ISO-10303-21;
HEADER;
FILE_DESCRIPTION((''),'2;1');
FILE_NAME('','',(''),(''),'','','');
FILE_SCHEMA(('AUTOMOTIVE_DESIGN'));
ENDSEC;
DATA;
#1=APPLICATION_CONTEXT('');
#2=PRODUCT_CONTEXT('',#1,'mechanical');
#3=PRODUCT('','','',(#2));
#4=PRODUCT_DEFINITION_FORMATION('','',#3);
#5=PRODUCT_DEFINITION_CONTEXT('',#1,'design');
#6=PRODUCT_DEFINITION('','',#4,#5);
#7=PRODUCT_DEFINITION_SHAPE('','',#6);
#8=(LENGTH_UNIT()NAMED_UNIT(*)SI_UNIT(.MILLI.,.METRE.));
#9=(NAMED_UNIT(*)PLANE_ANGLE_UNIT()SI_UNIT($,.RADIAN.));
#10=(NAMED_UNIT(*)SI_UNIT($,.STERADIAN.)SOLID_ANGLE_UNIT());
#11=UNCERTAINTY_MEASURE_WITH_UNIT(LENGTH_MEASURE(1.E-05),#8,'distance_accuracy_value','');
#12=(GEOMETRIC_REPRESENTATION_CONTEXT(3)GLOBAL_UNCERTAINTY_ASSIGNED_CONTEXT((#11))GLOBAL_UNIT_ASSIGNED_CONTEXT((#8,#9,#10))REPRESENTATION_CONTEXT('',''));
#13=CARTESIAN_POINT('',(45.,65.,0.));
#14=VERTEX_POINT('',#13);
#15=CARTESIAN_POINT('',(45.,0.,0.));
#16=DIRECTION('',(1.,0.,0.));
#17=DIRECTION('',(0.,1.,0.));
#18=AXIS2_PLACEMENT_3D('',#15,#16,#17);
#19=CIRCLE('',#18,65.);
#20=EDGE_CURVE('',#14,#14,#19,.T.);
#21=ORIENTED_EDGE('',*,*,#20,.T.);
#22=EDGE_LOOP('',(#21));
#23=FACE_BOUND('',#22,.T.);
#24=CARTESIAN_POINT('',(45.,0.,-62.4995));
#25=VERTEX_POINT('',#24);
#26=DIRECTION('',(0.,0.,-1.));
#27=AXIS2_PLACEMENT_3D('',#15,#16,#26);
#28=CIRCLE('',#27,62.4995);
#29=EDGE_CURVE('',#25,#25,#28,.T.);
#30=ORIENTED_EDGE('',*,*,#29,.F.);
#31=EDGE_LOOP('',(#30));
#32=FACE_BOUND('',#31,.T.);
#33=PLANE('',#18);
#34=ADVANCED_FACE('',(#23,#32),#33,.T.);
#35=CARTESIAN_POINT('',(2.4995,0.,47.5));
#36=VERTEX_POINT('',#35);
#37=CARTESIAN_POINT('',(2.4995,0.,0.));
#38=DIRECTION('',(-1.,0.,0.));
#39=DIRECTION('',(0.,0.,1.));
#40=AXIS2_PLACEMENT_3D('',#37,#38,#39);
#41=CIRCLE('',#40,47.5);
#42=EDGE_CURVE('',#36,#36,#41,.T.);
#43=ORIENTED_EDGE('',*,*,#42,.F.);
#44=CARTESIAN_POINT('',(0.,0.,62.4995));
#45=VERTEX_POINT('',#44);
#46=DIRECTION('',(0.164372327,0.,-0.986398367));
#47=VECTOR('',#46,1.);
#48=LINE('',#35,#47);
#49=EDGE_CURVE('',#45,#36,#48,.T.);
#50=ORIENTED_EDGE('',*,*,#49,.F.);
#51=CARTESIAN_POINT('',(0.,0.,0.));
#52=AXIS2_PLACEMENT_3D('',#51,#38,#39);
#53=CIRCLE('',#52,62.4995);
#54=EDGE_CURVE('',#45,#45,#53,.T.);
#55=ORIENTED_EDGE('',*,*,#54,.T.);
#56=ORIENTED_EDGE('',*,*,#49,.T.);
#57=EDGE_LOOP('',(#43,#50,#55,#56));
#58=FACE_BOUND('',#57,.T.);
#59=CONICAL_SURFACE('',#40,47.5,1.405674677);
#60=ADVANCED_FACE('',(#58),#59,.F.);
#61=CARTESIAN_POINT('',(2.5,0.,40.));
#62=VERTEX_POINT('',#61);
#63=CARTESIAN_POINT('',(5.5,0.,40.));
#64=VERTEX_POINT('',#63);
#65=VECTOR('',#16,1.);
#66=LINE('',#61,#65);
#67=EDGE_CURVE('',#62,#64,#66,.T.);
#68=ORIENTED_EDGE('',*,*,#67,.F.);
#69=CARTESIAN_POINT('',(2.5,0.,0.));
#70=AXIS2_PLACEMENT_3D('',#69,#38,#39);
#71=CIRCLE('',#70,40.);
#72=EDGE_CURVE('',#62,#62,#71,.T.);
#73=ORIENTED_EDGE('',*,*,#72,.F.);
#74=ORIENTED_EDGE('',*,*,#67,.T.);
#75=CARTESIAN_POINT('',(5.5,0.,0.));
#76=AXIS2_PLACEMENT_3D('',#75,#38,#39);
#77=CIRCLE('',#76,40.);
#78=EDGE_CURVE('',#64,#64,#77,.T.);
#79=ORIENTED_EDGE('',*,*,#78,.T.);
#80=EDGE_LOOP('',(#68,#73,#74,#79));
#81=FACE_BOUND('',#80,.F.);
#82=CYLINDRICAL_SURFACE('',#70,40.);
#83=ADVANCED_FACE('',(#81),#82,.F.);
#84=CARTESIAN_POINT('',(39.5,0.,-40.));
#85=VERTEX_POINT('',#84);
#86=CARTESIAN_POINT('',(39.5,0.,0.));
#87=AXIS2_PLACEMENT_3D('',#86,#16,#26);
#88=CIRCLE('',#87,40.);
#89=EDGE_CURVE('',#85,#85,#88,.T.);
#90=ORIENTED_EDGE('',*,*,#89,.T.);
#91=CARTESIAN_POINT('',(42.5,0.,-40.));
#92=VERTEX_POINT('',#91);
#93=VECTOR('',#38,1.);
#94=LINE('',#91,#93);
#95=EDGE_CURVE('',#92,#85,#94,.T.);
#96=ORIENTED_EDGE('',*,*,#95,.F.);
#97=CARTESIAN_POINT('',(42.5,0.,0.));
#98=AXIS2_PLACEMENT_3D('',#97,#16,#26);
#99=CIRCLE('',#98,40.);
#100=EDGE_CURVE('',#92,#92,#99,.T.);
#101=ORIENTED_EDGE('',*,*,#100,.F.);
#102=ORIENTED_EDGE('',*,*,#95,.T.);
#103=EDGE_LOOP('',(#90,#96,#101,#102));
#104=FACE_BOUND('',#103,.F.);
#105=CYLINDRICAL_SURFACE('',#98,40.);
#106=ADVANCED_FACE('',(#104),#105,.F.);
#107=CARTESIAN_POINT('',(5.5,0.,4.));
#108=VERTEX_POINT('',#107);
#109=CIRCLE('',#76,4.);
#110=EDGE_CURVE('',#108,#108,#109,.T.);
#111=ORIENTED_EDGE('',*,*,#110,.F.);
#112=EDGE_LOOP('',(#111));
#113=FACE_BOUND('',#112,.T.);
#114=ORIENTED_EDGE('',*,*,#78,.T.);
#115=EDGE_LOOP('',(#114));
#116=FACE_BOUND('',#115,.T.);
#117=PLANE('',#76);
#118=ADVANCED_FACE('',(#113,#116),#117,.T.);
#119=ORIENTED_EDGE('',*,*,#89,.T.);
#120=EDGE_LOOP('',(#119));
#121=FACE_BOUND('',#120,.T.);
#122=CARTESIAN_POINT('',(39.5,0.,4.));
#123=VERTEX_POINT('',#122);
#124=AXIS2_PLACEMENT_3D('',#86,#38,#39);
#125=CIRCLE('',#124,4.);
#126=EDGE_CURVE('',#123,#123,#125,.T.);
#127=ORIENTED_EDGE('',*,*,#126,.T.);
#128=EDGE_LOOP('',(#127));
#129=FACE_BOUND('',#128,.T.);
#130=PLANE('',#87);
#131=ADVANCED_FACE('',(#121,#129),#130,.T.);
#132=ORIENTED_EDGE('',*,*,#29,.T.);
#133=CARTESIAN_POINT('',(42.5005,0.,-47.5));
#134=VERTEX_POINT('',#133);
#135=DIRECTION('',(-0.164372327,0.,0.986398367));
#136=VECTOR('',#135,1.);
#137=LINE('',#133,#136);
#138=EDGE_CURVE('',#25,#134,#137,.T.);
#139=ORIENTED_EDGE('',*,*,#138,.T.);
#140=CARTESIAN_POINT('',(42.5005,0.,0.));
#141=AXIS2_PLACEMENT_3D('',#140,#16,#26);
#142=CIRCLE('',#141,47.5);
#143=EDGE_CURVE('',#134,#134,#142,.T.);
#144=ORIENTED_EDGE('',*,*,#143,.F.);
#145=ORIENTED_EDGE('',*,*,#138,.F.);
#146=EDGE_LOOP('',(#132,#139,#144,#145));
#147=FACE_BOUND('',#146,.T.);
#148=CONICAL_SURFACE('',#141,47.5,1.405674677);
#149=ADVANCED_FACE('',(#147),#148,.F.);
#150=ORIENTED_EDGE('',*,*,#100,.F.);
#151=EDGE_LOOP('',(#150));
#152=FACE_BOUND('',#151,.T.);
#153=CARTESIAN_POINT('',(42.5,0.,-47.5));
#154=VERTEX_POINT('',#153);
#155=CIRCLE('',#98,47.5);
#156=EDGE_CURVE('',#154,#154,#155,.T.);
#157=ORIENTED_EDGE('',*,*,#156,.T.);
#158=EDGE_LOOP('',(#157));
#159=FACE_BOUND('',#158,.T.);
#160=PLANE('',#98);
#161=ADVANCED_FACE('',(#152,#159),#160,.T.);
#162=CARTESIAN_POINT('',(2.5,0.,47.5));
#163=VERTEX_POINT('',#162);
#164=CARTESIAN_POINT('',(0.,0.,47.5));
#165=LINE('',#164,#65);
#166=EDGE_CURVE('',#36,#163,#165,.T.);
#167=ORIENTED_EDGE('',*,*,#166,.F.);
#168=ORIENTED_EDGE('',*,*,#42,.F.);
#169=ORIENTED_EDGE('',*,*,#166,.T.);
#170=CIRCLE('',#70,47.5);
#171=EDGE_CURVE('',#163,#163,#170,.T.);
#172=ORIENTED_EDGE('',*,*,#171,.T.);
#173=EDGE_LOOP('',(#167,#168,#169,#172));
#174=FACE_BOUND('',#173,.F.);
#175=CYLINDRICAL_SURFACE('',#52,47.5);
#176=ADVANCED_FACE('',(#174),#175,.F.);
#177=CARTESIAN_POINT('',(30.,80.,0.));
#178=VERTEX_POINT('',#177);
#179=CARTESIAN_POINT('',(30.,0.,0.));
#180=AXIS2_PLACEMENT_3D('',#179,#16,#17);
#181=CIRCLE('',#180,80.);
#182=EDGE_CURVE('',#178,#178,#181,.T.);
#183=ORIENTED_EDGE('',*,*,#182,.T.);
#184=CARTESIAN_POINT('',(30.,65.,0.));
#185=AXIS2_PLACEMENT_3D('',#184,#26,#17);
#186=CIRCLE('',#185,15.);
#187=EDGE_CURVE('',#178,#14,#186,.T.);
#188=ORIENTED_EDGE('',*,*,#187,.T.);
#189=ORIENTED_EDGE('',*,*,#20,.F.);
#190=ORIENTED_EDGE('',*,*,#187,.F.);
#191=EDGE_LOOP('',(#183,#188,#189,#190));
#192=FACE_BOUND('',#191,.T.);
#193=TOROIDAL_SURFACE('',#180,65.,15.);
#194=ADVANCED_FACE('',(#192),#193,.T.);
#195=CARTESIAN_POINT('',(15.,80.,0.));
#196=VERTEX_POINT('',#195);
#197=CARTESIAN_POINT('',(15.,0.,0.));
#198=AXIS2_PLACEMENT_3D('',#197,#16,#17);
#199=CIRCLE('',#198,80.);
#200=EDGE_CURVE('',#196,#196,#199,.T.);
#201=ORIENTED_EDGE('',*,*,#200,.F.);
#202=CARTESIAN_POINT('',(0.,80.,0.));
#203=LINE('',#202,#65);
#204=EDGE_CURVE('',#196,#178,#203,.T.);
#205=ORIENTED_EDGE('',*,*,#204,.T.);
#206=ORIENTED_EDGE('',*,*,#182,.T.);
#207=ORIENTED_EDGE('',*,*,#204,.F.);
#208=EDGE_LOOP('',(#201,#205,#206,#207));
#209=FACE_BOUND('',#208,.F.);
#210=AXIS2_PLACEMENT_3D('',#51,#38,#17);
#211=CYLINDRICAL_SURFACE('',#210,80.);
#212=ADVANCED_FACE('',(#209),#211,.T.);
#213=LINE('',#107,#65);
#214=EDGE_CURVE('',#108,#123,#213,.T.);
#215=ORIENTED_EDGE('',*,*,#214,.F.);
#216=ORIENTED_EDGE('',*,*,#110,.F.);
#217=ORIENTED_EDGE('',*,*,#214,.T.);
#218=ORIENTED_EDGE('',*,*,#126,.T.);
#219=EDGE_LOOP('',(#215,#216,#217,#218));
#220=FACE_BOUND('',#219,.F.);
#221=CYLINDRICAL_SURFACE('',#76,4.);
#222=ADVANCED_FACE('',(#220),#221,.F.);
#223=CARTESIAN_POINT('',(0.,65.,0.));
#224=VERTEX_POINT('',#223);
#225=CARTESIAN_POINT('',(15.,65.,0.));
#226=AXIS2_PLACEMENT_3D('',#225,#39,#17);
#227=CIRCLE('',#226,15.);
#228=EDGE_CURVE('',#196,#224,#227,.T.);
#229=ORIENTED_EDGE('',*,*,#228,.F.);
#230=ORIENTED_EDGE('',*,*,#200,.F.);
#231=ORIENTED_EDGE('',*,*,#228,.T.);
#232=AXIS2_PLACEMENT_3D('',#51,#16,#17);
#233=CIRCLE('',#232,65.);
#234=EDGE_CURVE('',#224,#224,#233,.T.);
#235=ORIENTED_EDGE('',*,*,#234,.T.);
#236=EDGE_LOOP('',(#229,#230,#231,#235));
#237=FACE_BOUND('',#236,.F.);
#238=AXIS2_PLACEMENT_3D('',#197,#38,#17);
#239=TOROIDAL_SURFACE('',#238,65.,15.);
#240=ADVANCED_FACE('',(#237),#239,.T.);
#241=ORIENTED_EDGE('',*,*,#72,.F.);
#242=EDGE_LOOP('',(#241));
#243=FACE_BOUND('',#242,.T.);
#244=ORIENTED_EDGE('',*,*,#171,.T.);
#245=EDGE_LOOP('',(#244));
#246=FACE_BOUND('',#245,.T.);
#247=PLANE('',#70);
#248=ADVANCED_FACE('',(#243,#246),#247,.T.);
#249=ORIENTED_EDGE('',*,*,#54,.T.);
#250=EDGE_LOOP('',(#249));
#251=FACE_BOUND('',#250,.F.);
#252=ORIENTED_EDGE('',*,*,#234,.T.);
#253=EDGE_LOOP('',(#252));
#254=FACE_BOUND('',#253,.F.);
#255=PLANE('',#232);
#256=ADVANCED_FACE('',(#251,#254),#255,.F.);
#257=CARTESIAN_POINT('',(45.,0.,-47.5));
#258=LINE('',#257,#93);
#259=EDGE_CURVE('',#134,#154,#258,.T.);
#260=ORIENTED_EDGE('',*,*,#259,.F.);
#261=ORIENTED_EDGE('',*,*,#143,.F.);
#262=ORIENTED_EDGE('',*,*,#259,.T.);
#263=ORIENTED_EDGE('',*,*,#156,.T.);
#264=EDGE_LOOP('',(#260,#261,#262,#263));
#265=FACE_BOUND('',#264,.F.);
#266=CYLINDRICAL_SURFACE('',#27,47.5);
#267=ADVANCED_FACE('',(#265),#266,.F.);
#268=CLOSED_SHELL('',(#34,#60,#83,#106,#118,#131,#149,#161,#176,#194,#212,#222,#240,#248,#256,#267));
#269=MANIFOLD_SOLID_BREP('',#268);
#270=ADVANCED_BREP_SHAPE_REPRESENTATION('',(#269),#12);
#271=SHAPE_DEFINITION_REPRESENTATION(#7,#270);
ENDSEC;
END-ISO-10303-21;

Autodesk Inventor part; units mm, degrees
ref_plane "YZ Plane" through (0, 0, 0) normal (1, 0, 0) x (0, 1, 0)
ref_plane "XZ Plane" through (0, 0, 0) normal (0, 1, 0) x (-1, 0, 0)
ref_plane "XY Plane" through (0, 0, 0) normal (0, 0, 1) x (1, 0, 0)
sketch "Sketch1" plane through (0, 0, 0) normal (1, 0, 0) x (0, 1, 0)
  circle A0 centre (0, 0) radius 80
  dimension "d0" = 160
extrude "Extrusion1" add sketch "Sketch1" along normal blind 45
fillet "Fillet1" radius 15 2 edges at (45, -80, 0) (0, -80, 0)
sketch "Sketch2" plane through (45, 0, 0) normal (1, 0, 0) x (0, 0, -1)
  circle A0 centre (0, 0) radius 47.5
  dimension "d4" = 95
extrude "Extrusion2" cut sketch "Sketch2" against normal blind 2.5
sketch "Sketch3" plane through (0, 0, 0) normal (-1, 0, 0) x (0, 0, 1)
  circle A0 centre (0, 0) radius 47.5
  dimension "d7" = 95
extrude "Extrusion3" cut sketch "Sketch3" against normal blind 2.5
sketch "Sketch4" plane through (42.5, 0, 0) normal (1, 0, 0) x (0, 0, -1)
  circle A0 centre (0, 0) radius 40
  dimension "d10" = 80
extrude "Extrusion4" cut sketch "Sketch4" against normal blind 3
sketch "Sketch5" plane through (2.5, 0, 0) normal (-1, 0, 0) x (0, 0, 1)
  circle A0 centre (0, 0) radius 40
  dimension "d13" = 80
extrude "Extrusion5" cut sketch "Sketch5" against normal blind 3
chamfer "Chamfer1" distance 15 distance2 2.5 1 edges at (0, 0, -47.5) measured on face at (0, 35.0738, -47.3752)
chamfer "Chamfer2" distance 15 distance2 2.5 1 edges at (45, 0, 47.5) measured on face at (45, 35.0738, 47.3752)
sketch "Sketch6" plane through (5.5, 0, 0) normal (-1, 0, 0) x (0, 0, 1)
  circle A0 centre (0, 0) radius 4
  dimension "d22" = 8
extrude "Extrusion6" cut sketch "Sketch6" against normal blind 34000
properties part number "Wheel"
